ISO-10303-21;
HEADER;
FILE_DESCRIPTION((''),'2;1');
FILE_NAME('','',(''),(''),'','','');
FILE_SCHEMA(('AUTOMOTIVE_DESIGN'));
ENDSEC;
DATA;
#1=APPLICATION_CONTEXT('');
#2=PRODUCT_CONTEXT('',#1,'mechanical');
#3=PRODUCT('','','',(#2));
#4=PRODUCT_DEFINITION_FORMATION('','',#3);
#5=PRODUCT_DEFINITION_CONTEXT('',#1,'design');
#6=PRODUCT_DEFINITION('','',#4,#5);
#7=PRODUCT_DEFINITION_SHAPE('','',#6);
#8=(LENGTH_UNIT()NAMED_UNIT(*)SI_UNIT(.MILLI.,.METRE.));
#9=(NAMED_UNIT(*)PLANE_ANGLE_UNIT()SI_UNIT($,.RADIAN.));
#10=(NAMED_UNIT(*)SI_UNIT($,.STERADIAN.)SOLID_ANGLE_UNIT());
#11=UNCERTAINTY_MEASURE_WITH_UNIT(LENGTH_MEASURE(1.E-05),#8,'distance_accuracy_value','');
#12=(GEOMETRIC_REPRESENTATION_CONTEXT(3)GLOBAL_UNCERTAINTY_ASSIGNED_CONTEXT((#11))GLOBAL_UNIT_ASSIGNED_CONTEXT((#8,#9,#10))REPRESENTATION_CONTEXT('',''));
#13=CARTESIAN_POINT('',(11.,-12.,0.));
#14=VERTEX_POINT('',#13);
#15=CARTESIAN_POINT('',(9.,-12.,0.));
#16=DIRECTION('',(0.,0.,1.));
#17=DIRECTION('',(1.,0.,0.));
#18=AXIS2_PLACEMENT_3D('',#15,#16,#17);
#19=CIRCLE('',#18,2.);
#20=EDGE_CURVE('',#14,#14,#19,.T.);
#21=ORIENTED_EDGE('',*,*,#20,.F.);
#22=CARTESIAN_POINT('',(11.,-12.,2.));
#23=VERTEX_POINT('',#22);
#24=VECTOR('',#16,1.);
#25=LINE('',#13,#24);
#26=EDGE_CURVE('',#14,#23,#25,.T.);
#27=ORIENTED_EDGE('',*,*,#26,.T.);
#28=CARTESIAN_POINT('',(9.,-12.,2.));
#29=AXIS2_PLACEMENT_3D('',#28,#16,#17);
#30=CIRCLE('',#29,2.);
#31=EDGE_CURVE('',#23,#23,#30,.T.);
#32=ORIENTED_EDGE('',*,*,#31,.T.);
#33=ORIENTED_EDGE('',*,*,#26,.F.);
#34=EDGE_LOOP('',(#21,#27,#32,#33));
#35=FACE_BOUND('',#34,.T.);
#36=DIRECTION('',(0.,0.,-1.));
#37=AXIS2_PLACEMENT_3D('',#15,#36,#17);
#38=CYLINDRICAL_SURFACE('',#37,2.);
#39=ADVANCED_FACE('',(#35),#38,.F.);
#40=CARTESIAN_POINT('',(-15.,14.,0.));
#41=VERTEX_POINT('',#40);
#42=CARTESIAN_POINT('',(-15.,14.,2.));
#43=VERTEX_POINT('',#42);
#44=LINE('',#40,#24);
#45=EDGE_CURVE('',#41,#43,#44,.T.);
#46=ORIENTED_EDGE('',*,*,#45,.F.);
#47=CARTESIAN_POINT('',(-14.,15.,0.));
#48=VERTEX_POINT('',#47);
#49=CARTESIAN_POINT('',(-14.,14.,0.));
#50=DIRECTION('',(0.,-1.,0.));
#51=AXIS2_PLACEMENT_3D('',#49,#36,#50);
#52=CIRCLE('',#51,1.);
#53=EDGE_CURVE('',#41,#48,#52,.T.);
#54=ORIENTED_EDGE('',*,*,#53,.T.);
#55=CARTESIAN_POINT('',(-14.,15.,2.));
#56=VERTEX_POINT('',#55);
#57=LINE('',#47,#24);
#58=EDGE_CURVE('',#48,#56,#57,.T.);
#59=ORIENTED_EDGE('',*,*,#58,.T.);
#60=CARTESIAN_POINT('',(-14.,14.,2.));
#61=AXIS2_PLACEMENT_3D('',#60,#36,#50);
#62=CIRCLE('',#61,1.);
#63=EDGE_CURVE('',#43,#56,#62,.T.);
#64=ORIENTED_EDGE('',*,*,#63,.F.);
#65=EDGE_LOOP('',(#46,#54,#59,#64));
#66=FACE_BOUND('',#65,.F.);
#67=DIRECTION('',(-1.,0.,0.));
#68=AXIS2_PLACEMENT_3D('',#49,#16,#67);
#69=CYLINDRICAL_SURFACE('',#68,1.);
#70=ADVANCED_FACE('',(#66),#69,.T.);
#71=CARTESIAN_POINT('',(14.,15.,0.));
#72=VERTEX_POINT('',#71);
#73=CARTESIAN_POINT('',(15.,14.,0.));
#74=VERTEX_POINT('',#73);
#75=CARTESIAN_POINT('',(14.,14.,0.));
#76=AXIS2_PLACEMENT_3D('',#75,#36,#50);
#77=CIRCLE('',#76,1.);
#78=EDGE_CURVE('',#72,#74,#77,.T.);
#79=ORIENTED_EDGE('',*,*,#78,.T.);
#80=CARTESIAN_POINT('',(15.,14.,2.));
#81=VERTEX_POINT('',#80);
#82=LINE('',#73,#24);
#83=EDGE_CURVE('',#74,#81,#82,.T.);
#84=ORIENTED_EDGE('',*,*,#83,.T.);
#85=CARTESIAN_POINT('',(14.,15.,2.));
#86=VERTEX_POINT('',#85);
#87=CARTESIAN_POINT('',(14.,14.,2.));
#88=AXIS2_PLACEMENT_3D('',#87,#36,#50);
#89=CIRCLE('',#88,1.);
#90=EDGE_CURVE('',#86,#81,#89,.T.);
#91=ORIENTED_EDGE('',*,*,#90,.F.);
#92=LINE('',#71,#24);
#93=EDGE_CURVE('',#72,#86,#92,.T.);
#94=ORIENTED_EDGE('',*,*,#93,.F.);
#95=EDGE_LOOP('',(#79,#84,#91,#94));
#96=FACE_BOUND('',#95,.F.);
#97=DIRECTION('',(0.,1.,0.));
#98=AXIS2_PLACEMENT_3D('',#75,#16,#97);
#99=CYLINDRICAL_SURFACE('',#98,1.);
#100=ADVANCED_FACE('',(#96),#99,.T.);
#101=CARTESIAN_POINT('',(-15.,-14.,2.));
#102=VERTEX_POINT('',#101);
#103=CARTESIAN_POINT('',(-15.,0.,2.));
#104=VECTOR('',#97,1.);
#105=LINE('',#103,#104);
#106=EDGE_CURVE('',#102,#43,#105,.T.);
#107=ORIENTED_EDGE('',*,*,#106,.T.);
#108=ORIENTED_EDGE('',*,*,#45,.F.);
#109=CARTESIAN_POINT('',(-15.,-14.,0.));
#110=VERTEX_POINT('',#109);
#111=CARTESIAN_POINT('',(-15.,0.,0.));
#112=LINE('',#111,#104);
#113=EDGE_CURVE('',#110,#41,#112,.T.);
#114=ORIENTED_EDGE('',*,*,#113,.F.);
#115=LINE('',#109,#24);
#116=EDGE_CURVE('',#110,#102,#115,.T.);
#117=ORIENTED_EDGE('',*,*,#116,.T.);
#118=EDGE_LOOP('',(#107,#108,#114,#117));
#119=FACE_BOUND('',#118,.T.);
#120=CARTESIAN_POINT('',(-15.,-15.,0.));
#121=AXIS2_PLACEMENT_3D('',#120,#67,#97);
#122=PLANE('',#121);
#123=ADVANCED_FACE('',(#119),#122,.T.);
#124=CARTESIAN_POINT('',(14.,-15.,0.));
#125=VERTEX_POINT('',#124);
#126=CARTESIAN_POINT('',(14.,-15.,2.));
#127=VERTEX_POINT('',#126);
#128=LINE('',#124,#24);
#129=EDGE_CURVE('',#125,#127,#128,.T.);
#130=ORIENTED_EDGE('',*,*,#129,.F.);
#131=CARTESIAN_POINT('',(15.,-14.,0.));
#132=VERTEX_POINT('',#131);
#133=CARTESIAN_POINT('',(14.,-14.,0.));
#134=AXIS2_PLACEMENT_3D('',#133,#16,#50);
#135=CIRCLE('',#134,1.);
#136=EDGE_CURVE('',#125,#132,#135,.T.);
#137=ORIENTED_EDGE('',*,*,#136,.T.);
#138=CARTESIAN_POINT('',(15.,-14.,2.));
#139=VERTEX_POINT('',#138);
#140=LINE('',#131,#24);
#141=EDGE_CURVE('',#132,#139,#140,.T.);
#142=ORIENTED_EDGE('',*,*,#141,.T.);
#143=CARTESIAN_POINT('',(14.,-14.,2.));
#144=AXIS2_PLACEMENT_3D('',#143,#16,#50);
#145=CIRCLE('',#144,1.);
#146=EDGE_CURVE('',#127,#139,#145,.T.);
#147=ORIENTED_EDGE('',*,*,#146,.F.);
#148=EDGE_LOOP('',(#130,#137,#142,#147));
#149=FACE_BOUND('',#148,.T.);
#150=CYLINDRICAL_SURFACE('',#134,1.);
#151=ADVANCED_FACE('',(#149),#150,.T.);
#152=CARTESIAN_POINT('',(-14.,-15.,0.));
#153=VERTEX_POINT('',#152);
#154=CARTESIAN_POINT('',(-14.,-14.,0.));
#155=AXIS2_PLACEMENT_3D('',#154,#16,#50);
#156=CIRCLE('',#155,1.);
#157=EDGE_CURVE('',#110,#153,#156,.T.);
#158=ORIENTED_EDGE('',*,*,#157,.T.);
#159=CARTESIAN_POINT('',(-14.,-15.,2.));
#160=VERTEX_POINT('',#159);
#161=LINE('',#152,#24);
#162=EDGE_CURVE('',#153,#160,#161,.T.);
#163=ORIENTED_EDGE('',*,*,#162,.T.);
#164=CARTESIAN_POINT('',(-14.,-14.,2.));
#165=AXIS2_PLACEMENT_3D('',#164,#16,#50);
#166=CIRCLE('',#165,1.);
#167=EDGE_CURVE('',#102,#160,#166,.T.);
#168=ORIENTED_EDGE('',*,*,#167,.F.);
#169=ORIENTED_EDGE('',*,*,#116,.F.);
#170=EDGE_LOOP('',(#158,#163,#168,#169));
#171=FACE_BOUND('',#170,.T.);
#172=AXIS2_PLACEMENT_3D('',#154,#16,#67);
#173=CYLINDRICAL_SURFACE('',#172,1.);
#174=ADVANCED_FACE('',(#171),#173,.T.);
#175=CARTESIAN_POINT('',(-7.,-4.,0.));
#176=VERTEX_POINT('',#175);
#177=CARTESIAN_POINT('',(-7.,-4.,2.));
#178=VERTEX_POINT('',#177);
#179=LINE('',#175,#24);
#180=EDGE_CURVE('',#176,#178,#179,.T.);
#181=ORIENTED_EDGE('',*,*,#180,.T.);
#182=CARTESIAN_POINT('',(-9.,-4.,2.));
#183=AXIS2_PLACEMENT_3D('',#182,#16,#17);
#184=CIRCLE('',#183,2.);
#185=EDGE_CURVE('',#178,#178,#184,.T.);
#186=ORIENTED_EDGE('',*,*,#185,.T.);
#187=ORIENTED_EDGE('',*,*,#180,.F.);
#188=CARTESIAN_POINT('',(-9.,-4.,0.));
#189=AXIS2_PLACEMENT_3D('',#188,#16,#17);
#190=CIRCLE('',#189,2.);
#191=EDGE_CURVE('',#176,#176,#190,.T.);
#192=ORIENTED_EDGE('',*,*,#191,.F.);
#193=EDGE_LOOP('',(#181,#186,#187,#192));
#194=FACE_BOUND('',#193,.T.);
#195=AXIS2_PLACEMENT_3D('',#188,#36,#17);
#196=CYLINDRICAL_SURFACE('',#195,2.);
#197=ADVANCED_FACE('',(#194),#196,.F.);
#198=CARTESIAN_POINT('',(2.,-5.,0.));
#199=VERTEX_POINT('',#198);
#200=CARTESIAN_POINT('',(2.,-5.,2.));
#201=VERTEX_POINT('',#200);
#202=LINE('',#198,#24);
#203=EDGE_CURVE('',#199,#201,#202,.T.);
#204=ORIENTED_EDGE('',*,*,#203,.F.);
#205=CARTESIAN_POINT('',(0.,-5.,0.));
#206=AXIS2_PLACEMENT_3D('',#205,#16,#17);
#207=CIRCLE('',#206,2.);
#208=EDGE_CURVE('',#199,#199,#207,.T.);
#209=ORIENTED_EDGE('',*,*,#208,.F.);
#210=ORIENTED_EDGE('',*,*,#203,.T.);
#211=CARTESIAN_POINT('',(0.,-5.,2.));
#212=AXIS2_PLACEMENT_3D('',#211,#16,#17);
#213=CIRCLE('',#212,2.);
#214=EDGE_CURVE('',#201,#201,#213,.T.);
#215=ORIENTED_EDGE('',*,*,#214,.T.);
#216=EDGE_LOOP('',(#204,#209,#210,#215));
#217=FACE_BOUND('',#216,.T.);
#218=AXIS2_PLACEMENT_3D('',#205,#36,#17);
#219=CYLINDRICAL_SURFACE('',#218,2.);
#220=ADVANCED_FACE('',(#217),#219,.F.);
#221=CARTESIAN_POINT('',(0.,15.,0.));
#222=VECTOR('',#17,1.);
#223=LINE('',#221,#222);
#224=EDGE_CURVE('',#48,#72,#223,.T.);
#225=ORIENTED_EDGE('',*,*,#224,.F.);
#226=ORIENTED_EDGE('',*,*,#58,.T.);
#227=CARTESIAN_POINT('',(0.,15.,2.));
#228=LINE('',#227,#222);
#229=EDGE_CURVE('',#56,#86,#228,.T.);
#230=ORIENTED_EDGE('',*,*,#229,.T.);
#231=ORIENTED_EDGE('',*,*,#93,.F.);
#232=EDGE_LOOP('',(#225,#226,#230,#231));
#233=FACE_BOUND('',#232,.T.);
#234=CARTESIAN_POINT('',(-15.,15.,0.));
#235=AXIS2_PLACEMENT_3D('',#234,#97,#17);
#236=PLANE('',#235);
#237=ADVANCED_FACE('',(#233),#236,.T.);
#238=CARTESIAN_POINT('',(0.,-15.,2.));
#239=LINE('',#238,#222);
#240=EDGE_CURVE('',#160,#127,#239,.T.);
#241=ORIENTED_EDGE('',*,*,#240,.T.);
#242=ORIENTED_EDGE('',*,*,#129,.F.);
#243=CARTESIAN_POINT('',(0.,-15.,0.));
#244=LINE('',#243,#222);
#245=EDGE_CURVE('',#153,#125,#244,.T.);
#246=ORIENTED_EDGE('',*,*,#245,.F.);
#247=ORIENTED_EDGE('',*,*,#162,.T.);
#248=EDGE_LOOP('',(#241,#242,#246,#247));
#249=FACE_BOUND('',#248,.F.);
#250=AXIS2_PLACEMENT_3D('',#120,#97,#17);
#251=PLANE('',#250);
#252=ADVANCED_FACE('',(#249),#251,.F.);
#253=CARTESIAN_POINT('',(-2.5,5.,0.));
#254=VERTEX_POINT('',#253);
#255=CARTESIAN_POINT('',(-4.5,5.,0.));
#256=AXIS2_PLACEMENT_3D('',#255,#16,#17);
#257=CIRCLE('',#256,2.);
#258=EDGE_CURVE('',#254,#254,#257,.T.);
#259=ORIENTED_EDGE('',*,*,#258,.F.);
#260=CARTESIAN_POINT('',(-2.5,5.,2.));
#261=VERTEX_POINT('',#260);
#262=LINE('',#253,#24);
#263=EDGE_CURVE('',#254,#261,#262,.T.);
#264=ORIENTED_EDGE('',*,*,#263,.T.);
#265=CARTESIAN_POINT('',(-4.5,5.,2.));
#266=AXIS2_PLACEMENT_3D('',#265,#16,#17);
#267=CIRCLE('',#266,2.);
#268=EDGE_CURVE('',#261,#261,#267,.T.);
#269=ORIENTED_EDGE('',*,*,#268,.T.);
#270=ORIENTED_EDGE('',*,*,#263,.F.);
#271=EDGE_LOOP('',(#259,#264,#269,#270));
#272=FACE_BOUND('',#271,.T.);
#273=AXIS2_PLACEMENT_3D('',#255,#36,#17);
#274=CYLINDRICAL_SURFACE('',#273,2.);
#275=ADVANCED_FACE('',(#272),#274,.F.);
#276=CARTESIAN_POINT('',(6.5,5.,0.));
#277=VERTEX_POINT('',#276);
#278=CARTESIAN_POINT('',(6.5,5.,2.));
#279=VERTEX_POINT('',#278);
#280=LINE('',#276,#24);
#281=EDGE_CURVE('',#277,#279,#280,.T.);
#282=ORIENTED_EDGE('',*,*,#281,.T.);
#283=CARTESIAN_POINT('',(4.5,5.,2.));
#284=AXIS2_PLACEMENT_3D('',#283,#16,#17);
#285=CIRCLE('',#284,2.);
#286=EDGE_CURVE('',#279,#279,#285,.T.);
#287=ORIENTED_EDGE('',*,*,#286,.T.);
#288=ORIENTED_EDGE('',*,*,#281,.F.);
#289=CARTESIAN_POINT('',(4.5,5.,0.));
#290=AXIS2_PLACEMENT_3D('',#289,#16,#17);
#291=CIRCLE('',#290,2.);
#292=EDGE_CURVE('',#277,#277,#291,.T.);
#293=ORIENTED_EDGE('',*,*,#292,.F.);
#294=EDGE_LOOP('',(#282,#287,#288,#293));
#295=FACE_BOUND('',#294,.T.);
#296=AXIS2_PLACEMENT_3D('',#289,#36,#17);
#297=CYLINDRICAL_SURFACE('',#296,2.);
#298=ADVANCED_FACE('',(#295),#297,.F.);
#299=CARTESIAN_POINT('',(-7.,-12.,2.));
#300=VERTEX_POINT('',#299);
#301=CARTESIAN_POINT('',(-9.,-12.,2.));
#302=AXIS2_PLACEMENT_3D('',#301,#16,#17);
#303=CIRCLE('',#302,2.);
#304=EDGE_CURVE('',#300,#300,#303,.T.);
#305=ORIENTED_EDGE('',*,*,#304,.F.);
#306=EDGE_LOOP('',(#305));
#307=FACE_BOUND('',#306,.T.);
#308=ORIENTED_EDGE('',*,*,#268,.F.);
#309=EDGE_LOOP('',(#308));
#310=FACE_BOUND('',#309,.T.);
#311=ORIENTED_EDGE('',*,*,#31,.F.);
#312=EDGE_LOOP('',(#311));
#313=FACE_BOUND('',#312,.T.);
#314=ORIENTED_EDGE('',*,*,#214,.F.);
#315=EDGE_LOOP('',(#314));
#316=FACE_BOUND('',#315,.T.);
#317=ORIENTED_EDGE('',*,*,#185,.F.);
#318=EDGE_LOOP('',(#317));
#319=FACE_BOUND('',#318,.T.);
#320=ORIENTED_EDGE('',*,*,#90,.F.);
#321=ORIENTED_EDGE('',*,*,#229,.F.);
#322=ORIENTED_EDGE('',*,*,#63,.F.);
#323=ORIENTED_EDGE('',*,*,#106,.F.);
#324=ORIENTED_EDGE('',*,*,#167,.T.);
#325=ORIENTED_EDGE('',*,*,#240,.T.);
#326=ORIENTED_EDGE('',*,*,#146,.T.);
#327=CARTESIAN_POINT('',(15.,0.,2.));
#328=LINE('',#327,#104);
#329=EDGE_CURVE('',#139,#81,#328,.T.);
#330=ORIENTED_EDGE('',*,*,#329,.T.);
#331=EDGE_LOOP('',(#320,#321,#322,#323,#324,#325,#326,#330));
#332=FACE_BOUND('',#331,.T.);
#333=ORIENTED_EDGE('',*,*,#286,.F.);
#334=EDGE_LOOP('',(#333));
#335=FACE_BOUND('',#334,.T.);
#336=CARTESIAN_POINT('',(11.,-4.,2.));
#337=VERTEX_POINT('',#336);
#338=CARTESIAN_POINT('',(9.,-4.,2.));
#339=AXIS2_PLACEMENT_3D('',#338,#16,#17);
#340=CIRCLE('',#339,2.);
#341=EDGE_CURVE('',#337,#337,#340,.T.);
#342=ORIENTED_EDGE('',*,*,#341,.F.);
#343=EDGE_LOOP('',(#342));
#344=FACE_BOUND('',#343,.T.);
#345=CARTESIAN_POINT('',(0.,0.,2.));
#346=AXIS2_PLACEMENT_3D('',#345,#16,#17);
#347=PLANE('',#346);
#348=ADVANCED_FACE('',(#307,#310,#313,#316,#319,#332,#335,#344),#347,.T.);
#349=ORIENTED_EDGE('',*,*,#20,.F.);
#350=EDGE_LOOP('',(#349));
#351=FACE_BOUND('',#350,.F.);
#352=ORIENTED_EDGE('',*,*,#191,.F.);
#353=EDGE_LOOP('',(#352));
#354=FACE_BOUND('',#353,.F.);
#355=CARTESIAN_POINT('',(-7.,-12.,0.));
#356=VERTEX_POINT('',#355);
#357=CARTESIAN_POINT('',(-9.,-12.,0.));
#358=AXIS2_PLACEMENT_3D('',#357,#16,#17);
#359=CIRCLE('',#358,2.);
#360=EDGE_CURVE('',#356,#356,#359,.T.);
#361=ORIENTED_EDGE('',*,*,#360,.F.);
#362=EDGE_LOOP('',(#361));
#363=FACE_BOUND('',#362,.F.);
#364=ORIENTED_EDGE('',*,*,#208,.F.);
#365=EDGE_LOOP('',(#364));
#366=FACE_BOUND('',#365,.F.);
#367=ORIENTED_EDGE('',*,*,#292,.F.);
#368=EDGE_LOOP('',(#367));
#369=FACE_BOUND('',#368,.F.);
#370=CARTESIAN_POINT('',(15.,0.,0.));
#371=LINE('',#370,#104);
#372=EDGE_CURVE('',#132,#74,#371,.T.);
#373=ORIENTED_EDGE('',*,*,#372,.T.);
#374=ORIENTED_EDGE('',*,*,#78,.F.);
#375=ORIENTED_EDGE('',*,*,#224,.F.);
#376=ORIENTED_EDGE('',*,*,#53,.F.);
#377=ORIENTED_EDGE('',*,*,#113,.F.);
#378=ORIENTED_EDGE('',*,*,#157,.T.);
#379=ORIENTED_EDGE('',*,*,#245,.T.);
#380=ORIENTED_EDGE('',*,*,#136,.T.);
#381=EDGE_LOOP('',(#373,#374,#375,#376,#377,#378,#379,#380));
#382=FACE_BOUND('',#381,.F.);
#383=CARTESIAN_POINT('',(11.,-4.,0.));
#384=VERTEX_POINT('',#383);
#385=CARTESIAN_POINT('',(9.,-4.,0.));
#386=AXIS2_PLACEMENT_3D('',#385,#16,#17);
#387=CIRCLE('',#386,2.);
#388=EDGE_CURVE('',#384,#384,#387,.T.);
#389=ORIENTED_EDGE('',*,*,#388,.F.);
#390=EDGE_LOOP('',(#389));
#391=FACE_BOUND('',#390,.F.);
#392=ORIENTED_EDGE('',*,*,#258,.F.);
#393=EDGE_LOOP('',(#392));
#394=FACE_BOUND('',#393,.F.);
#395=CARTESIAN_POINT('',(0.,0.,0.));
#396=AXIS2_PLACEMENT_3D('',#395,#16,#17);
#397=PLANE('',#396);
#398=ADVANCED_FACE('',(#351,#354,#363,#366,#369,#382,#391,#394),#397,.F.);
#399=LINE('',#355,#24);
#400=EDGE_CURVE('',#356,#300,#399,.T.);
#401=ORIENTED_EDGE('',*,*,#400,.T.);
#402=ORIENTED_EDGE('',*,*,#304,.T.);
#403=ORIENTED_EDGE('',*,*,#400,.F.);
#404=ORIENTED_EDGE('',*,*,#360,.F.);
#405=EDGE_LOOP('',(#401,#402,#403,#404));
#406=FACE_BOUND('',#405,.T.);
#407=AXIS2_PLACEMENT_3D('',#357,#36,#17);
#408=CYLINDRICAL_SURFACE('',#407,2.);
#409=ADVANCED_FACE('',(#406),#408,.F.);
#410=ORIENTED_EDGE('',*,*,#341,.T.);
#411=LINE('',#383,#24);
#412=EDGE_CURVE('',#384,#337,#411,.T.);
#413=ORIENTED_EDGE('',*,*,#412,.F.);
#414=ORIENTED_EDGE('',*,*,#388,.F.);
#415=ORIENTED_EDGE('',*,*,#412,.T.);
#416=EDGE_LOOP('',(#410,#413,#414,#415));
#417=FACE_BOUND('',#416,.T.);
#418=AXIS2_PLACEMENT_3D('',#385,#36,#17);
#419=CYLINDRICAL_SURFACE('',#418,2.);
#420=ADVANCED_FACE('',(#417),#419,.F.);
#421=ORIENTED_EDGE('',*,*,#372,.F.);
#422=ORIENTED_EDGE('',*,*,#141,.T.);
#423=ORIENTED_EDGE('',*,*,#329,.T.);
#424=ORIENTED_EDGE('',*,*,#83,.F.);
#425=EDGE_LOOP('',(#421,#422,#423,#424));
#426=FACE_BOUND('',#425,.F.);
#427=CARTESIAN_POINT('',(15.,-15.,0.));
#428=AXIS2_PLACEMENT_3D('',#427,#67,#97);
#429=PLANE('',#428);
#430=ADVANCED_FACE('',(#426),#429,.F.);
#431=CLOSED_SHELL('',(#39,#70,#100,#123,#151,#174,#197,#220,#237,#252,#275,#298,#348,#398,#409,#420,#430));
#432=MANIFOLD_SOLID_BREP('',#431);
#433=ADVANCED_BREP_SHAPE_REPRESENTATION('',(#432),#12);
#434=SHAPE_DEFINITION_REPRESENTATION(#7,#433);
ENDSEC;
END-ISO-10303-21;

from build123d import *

# Parameters (mm, degrees)
SKETCH_W  = 30
SKETCH_H  = 30
SKETCH_R  = 2
PAD_DEPTH = 2
FILLET_R  = 1


with BuildPart() as part:
    # Sketch → Pad (new body)
    with BuildSketch(Plane.XY):
        Rectangle(SKETCH_W, SKETCH_H)
        with Locations((-9, -12)):
            Circle(SKETCH_R, mode=Mode.SUBTRACT)
        with Locations((-9, -4)):
            Circle(SKETCH_R, mode=Mode.SUBTRACT)
        with Locations((9, -4)):
            Circle(SKETCH_R, mode=Mode.SUBTRACT)
        with Locations((9, -12)):
            Circle(SKETCH_R, mode=Mode.SUBTRACT)
        with Locations((0, -5)):
            Circle(SKETCH_R, mode=Mode.SUBTRACT)
        with Locations((4.5, 5)):
            Circle(SKETCH_R, mode=Mode.SUBTRACT)
        with Locations((-4.5, 5)):
            Circle(SKETCH_R, mode=Mode.SUBTRACT)
    extrude(amount=PAD_DEPTH)

    # Fillet
    fillet_edges = [part.edges().sort_by_distance(p)[0] for p in [
        (-15, -15, 1),
        (15, -15, 1),
        (-15, 15, 1),
        (15, 15, 1),
    ]]
    fillet(fillet_edges, radius=FILLET_R)


solid = part.part
